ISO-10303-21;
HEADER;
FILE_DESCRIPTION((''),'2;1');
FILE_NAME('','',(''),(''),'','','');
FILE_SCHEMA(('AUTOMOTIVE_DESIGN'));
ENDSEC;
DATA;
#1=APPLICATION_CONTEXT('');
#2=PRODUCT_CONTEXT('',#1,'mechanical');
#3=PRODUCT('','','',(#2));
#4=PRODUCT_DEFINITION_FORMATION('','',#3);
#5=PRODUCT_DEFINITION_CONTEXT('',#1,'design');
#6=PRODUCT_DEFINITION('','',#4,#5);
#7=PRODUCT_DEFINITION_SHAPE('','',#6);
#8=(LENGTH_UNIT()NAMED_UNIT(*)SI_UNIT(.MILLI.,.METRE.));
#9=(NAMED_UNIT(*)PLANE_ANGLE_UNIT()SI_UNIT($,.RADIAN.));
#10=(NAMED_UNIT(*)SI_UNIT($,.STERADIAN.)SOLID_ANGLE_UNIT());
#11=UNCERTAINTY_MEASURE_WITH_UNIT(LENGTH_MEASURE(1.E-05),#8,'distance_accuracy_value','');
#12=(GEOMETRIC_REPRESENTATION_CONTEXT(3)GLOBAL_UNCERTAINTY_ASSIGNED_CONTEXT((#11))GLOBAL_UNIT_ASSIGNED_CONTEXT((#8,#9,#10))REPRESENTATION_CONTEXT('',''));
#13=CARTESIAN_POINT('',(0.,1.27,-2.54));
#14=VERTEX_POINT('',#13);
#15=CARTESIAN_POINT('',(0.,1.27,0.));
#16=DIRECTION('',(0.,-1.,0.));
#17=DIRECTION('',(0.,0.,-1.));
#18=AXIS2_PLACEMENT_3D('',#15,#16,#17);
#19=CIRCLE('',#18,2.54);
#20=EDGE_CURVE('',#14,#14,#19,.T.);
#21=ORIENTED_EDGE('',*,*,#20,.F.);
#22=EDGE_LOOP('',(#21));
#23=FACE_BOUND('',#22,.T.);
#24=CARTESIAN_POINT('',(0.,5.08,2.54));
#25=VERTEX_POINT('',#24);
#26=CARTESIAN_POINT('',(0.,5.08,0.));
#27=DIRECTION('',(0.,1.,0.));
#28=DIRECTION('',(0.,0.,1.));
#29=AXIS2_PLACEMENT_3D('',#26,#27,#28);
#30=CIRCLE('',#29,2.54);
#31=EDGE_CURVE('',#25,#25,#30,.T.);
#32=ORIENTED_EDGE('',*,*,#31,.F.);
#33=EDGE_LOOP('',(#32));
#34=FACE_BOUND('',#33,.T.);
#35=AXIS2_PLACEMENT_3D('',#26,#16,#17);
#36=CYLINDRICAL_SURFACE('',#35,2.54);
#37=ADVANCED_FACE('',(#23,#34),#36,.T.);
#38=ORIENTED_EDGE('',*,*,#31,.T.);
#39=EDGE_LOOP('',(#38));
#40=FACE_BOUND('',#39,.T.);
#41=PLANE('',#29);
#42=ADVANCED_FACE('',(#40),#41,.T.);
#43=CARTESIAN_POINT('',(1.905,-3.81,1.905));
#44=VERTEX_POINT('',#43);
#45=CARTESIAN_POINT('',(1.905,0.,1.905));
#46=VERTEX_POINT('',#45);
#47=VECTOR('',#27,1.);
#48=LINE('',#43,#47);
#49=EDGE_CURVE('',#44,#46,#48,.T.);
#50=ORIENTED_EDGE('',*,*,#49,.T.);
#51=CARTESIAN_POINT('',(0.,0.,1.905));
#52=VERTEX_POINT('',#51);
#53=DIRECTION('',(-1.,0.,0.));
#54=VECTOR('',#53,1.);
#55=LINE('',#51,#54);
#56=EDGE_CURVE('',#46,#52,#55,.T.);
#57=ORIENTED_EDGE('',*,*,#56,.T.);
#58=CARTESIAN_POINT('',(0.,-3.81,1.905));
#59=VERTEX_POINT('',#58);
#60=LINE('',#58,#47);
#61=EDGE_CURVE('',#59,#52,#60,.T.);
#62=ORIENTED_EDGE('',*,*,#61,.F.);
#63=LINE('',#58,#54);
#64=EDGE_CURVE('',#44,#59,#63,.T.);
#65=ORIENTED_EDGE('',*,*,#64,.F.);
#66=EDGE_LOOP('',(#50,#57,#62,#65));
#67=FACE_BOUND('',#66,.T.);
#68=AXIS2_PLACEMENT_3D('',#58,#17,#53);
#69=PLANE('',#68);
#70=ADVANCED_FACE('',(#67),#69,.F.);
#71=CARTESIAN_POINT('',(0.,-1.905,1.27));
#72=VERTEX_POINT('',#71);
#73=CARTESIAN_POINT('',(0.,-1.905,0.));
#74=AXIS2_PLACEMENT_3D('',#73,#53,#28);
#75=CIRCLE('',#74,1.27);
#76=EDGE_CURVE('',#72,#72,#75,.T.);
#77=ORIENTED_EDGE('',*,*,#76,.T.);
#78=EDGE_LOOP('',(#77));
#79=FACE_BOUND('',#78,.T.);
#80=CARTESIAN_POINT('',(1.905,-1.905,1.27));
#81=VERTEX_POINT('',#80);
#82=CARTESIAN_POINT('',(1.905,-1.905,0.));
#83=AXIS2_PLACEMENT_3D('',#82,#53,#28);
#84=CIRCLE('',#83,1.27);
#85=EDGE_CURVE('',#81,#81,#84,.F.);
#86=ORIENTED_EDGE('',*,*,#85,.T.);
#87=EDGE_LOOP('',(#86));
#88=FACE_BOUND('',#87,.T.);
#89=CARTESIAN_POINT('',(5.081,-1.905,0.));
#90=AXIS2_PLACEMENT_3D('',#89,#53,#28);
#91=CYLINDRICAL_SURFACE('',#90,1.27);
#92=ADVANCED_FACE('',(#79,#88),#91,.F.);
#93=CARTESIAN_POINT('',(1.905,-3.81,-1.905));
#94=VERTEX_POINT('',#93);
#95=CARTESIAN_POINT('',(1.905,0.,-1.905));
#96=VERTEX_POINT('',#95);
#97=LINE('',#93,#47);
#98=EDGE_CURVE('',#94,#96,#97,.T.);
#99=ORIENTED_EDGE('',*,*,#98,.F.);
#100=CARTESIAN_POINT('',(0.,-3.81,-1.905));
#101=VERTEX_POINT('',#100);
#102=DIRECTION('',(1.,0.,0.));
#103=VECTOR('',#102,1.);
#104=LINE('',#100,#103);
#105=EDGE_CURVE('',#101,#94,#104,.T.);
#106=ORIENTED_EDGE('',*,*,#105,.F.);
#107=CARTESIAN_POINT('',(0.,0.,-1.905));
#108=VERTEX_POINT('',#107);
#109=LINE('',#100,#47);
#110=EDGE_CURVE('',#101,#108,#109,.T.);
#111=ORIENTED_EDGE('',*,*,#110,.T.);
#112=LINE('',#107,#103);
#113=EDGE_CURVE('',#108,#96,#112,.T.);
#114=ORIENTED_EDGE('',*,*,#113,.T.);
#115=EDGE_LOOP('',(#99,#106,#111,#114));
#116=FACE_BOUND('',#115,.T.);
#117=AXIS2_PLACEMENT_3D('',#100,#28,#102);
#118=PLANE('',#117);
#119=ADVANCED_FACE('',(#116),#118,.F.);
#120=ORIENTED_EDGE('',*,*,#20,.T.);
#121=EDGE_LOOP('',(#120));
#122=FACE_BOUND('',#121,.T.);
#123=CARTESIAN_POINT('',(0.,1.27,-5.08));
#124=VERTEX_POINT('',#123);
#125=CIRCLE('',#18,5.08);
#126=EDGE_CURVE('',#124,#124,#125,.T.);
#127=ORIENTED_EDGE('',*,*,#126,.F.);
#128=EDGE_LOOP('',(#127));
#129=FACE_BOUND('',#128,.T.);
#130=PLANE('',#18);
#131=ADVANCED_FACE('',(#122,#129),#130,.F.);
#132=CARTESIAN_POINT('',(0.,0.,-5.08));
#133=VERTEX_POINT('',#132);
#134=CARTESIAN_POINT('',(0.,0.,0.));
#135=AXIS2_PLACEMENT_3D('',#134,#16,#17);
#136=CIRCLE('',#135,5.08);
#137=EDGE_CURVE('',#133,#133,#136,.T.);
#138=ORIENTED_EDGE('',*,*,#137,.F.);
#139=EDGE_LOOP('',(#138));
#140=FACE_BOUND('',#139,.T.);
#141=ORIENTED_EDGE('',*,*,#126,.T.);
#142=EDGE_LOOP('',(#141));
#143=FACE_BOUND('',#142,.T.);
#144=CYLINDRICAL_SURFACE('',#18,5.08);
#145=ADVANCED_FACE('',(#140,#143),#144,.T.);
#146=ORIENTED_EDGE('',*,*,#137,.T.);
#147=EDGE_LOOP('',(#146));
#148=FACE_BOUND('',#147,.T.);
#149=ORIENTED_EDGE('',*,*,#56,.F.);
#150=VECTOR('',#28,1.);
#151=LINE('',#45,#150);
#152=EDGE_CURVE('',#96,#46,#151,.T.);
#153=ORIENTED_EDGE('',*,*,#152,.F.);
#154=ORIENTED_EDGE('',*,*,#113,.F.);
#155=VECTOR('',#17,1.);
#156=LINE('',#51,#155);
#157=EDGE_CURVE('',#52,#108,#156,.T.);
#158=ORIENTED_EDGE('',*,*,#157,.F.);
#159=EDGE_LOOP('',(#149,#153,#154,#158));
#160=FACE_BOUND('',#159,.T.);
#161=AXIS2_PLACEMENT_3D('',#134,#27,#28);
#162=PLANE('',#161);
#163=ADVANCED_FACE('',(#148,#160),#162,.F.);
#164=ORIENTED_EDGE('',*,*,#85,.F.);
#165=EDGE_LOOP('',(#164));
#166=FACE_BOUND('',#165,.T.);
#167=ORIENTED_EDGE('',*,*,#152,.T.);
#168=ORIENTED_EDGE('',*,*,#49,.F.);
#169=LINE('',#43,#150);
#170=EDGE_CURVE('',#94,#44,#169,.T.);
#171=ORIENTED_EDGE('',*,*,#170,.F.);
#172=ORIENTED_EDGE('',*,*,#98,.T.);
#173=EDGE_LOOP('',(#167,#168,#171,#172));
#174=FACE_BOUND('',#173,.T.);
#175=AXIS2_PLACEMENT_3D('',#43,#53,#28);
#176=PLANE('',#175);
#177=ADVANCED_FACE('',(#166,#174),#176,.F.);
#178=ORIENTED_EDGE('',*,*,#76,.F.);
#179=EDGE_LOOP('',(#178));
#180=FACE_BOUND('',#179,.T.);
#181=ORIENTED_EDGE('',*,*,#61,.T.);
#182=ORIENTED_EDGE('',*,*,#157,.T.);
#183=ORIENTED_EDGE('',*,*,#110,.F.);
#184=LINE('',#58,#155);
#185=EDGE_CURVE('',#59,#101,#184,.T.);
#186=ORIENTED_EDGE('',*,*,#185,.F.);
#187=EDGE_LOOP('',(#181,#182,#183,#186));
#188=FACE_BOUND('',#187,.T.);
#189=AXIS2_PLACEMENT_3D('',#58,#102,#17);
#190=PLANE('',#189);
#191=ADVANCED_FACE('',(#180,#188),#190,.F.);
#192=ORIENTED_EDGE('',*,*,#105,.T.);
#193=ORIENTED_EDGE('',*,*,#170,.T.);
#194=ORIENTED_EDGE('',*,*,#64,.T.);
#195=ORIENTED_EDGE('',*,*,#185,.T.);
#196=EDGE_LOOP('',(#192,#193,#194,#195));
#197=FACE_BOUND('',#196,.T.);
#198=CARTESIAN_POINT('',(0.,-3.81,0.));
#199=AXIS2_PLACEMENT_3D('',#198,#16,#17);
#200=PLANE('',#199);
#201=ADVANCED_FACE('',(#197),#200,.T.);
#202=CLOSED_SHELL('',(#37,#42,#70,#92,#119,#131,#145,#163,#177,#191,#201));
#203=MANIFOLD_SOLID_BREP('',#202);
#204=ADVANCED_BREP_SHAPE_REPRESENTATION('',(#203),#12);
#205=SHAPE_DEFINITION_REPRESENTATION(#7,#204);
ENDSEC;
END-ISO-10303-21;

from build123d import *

# Parameters (mm, degrees)
SKETCH1_R           = 2.54
BOSS_EXTRUDE1_DEPTH = 5.08
SKETCH2_R           = 5.08
SKETCH2_R_2         = 2.54
BOSS_EXTRUDE2_DEPTH = 1.27
SKETCH3_W           = 1.905
SKETCH3_H           = 3.81
BOSS_EXTRUDE3_DEPTH = 3.81
CUT_EXTRUDE1_REACH  = 10.799
SKETCH4_R           = 1.27


with BuildPart() as part:
    # Sketch1 → Boss-Extrude1 (new body)
    with BuildSketch(Plane(origin=(0, 0, 0), x_dir=(1, 0, 0), z_dir=(0, 1, 0))):
        with Locations(Location((0, 0, 0), (0, 0, 270))):
            Circle(SKETCH1_R)
    extrude(amount=BOSS_EXTRUDE1_DEPTH)

    # Sketch2 → Boss-Extrude2 (add)
    with BuildSketch(Plane.XZ):
        with Locations(Location((0, 0, 0), (0, 0, 270))):
            Circle(SKETCH2_R)
        with Locations(Location((0, 0, 0), (0, 0, 270))):
            Circle(SKETCH2_R_2, mode=Mode.SUBTRACT)
    extrude(amount=-BOSS_EXTRUDE2_DEPTH)

    # Sketch3 → Boss-Extrude3 (add)
    with BuildSketch(Plane.XZ):
        with Locations((0.9525, 0)):
            Rectangle(SKETCH3_W, SKETCH3_H)
    extrude(amount=BOSS_EXTRUDE3_DEPTH)

    # Sketch4 → Cut-Extrude1 (cut, up to next)
    with BuildSketch(Plane.ZY, mode=Mode.PRIVATE) as cut_extrude1_sk1:
        with Locations((0, -1.905)):
            Circle(SKETCH4_R)
    cut_extrude1_tool1 = extrude(cut_extrude1_sk1.sketch, amount=-CUT_EXTRUDE1_REACH, mode=Mode.PRIVATE) & part.part
    add(cut_extrude1_tool1.solids().sort_by_distance((0, -1.905, 0))[0], mode=Mode.SUBTRACT)


solid = part.part
